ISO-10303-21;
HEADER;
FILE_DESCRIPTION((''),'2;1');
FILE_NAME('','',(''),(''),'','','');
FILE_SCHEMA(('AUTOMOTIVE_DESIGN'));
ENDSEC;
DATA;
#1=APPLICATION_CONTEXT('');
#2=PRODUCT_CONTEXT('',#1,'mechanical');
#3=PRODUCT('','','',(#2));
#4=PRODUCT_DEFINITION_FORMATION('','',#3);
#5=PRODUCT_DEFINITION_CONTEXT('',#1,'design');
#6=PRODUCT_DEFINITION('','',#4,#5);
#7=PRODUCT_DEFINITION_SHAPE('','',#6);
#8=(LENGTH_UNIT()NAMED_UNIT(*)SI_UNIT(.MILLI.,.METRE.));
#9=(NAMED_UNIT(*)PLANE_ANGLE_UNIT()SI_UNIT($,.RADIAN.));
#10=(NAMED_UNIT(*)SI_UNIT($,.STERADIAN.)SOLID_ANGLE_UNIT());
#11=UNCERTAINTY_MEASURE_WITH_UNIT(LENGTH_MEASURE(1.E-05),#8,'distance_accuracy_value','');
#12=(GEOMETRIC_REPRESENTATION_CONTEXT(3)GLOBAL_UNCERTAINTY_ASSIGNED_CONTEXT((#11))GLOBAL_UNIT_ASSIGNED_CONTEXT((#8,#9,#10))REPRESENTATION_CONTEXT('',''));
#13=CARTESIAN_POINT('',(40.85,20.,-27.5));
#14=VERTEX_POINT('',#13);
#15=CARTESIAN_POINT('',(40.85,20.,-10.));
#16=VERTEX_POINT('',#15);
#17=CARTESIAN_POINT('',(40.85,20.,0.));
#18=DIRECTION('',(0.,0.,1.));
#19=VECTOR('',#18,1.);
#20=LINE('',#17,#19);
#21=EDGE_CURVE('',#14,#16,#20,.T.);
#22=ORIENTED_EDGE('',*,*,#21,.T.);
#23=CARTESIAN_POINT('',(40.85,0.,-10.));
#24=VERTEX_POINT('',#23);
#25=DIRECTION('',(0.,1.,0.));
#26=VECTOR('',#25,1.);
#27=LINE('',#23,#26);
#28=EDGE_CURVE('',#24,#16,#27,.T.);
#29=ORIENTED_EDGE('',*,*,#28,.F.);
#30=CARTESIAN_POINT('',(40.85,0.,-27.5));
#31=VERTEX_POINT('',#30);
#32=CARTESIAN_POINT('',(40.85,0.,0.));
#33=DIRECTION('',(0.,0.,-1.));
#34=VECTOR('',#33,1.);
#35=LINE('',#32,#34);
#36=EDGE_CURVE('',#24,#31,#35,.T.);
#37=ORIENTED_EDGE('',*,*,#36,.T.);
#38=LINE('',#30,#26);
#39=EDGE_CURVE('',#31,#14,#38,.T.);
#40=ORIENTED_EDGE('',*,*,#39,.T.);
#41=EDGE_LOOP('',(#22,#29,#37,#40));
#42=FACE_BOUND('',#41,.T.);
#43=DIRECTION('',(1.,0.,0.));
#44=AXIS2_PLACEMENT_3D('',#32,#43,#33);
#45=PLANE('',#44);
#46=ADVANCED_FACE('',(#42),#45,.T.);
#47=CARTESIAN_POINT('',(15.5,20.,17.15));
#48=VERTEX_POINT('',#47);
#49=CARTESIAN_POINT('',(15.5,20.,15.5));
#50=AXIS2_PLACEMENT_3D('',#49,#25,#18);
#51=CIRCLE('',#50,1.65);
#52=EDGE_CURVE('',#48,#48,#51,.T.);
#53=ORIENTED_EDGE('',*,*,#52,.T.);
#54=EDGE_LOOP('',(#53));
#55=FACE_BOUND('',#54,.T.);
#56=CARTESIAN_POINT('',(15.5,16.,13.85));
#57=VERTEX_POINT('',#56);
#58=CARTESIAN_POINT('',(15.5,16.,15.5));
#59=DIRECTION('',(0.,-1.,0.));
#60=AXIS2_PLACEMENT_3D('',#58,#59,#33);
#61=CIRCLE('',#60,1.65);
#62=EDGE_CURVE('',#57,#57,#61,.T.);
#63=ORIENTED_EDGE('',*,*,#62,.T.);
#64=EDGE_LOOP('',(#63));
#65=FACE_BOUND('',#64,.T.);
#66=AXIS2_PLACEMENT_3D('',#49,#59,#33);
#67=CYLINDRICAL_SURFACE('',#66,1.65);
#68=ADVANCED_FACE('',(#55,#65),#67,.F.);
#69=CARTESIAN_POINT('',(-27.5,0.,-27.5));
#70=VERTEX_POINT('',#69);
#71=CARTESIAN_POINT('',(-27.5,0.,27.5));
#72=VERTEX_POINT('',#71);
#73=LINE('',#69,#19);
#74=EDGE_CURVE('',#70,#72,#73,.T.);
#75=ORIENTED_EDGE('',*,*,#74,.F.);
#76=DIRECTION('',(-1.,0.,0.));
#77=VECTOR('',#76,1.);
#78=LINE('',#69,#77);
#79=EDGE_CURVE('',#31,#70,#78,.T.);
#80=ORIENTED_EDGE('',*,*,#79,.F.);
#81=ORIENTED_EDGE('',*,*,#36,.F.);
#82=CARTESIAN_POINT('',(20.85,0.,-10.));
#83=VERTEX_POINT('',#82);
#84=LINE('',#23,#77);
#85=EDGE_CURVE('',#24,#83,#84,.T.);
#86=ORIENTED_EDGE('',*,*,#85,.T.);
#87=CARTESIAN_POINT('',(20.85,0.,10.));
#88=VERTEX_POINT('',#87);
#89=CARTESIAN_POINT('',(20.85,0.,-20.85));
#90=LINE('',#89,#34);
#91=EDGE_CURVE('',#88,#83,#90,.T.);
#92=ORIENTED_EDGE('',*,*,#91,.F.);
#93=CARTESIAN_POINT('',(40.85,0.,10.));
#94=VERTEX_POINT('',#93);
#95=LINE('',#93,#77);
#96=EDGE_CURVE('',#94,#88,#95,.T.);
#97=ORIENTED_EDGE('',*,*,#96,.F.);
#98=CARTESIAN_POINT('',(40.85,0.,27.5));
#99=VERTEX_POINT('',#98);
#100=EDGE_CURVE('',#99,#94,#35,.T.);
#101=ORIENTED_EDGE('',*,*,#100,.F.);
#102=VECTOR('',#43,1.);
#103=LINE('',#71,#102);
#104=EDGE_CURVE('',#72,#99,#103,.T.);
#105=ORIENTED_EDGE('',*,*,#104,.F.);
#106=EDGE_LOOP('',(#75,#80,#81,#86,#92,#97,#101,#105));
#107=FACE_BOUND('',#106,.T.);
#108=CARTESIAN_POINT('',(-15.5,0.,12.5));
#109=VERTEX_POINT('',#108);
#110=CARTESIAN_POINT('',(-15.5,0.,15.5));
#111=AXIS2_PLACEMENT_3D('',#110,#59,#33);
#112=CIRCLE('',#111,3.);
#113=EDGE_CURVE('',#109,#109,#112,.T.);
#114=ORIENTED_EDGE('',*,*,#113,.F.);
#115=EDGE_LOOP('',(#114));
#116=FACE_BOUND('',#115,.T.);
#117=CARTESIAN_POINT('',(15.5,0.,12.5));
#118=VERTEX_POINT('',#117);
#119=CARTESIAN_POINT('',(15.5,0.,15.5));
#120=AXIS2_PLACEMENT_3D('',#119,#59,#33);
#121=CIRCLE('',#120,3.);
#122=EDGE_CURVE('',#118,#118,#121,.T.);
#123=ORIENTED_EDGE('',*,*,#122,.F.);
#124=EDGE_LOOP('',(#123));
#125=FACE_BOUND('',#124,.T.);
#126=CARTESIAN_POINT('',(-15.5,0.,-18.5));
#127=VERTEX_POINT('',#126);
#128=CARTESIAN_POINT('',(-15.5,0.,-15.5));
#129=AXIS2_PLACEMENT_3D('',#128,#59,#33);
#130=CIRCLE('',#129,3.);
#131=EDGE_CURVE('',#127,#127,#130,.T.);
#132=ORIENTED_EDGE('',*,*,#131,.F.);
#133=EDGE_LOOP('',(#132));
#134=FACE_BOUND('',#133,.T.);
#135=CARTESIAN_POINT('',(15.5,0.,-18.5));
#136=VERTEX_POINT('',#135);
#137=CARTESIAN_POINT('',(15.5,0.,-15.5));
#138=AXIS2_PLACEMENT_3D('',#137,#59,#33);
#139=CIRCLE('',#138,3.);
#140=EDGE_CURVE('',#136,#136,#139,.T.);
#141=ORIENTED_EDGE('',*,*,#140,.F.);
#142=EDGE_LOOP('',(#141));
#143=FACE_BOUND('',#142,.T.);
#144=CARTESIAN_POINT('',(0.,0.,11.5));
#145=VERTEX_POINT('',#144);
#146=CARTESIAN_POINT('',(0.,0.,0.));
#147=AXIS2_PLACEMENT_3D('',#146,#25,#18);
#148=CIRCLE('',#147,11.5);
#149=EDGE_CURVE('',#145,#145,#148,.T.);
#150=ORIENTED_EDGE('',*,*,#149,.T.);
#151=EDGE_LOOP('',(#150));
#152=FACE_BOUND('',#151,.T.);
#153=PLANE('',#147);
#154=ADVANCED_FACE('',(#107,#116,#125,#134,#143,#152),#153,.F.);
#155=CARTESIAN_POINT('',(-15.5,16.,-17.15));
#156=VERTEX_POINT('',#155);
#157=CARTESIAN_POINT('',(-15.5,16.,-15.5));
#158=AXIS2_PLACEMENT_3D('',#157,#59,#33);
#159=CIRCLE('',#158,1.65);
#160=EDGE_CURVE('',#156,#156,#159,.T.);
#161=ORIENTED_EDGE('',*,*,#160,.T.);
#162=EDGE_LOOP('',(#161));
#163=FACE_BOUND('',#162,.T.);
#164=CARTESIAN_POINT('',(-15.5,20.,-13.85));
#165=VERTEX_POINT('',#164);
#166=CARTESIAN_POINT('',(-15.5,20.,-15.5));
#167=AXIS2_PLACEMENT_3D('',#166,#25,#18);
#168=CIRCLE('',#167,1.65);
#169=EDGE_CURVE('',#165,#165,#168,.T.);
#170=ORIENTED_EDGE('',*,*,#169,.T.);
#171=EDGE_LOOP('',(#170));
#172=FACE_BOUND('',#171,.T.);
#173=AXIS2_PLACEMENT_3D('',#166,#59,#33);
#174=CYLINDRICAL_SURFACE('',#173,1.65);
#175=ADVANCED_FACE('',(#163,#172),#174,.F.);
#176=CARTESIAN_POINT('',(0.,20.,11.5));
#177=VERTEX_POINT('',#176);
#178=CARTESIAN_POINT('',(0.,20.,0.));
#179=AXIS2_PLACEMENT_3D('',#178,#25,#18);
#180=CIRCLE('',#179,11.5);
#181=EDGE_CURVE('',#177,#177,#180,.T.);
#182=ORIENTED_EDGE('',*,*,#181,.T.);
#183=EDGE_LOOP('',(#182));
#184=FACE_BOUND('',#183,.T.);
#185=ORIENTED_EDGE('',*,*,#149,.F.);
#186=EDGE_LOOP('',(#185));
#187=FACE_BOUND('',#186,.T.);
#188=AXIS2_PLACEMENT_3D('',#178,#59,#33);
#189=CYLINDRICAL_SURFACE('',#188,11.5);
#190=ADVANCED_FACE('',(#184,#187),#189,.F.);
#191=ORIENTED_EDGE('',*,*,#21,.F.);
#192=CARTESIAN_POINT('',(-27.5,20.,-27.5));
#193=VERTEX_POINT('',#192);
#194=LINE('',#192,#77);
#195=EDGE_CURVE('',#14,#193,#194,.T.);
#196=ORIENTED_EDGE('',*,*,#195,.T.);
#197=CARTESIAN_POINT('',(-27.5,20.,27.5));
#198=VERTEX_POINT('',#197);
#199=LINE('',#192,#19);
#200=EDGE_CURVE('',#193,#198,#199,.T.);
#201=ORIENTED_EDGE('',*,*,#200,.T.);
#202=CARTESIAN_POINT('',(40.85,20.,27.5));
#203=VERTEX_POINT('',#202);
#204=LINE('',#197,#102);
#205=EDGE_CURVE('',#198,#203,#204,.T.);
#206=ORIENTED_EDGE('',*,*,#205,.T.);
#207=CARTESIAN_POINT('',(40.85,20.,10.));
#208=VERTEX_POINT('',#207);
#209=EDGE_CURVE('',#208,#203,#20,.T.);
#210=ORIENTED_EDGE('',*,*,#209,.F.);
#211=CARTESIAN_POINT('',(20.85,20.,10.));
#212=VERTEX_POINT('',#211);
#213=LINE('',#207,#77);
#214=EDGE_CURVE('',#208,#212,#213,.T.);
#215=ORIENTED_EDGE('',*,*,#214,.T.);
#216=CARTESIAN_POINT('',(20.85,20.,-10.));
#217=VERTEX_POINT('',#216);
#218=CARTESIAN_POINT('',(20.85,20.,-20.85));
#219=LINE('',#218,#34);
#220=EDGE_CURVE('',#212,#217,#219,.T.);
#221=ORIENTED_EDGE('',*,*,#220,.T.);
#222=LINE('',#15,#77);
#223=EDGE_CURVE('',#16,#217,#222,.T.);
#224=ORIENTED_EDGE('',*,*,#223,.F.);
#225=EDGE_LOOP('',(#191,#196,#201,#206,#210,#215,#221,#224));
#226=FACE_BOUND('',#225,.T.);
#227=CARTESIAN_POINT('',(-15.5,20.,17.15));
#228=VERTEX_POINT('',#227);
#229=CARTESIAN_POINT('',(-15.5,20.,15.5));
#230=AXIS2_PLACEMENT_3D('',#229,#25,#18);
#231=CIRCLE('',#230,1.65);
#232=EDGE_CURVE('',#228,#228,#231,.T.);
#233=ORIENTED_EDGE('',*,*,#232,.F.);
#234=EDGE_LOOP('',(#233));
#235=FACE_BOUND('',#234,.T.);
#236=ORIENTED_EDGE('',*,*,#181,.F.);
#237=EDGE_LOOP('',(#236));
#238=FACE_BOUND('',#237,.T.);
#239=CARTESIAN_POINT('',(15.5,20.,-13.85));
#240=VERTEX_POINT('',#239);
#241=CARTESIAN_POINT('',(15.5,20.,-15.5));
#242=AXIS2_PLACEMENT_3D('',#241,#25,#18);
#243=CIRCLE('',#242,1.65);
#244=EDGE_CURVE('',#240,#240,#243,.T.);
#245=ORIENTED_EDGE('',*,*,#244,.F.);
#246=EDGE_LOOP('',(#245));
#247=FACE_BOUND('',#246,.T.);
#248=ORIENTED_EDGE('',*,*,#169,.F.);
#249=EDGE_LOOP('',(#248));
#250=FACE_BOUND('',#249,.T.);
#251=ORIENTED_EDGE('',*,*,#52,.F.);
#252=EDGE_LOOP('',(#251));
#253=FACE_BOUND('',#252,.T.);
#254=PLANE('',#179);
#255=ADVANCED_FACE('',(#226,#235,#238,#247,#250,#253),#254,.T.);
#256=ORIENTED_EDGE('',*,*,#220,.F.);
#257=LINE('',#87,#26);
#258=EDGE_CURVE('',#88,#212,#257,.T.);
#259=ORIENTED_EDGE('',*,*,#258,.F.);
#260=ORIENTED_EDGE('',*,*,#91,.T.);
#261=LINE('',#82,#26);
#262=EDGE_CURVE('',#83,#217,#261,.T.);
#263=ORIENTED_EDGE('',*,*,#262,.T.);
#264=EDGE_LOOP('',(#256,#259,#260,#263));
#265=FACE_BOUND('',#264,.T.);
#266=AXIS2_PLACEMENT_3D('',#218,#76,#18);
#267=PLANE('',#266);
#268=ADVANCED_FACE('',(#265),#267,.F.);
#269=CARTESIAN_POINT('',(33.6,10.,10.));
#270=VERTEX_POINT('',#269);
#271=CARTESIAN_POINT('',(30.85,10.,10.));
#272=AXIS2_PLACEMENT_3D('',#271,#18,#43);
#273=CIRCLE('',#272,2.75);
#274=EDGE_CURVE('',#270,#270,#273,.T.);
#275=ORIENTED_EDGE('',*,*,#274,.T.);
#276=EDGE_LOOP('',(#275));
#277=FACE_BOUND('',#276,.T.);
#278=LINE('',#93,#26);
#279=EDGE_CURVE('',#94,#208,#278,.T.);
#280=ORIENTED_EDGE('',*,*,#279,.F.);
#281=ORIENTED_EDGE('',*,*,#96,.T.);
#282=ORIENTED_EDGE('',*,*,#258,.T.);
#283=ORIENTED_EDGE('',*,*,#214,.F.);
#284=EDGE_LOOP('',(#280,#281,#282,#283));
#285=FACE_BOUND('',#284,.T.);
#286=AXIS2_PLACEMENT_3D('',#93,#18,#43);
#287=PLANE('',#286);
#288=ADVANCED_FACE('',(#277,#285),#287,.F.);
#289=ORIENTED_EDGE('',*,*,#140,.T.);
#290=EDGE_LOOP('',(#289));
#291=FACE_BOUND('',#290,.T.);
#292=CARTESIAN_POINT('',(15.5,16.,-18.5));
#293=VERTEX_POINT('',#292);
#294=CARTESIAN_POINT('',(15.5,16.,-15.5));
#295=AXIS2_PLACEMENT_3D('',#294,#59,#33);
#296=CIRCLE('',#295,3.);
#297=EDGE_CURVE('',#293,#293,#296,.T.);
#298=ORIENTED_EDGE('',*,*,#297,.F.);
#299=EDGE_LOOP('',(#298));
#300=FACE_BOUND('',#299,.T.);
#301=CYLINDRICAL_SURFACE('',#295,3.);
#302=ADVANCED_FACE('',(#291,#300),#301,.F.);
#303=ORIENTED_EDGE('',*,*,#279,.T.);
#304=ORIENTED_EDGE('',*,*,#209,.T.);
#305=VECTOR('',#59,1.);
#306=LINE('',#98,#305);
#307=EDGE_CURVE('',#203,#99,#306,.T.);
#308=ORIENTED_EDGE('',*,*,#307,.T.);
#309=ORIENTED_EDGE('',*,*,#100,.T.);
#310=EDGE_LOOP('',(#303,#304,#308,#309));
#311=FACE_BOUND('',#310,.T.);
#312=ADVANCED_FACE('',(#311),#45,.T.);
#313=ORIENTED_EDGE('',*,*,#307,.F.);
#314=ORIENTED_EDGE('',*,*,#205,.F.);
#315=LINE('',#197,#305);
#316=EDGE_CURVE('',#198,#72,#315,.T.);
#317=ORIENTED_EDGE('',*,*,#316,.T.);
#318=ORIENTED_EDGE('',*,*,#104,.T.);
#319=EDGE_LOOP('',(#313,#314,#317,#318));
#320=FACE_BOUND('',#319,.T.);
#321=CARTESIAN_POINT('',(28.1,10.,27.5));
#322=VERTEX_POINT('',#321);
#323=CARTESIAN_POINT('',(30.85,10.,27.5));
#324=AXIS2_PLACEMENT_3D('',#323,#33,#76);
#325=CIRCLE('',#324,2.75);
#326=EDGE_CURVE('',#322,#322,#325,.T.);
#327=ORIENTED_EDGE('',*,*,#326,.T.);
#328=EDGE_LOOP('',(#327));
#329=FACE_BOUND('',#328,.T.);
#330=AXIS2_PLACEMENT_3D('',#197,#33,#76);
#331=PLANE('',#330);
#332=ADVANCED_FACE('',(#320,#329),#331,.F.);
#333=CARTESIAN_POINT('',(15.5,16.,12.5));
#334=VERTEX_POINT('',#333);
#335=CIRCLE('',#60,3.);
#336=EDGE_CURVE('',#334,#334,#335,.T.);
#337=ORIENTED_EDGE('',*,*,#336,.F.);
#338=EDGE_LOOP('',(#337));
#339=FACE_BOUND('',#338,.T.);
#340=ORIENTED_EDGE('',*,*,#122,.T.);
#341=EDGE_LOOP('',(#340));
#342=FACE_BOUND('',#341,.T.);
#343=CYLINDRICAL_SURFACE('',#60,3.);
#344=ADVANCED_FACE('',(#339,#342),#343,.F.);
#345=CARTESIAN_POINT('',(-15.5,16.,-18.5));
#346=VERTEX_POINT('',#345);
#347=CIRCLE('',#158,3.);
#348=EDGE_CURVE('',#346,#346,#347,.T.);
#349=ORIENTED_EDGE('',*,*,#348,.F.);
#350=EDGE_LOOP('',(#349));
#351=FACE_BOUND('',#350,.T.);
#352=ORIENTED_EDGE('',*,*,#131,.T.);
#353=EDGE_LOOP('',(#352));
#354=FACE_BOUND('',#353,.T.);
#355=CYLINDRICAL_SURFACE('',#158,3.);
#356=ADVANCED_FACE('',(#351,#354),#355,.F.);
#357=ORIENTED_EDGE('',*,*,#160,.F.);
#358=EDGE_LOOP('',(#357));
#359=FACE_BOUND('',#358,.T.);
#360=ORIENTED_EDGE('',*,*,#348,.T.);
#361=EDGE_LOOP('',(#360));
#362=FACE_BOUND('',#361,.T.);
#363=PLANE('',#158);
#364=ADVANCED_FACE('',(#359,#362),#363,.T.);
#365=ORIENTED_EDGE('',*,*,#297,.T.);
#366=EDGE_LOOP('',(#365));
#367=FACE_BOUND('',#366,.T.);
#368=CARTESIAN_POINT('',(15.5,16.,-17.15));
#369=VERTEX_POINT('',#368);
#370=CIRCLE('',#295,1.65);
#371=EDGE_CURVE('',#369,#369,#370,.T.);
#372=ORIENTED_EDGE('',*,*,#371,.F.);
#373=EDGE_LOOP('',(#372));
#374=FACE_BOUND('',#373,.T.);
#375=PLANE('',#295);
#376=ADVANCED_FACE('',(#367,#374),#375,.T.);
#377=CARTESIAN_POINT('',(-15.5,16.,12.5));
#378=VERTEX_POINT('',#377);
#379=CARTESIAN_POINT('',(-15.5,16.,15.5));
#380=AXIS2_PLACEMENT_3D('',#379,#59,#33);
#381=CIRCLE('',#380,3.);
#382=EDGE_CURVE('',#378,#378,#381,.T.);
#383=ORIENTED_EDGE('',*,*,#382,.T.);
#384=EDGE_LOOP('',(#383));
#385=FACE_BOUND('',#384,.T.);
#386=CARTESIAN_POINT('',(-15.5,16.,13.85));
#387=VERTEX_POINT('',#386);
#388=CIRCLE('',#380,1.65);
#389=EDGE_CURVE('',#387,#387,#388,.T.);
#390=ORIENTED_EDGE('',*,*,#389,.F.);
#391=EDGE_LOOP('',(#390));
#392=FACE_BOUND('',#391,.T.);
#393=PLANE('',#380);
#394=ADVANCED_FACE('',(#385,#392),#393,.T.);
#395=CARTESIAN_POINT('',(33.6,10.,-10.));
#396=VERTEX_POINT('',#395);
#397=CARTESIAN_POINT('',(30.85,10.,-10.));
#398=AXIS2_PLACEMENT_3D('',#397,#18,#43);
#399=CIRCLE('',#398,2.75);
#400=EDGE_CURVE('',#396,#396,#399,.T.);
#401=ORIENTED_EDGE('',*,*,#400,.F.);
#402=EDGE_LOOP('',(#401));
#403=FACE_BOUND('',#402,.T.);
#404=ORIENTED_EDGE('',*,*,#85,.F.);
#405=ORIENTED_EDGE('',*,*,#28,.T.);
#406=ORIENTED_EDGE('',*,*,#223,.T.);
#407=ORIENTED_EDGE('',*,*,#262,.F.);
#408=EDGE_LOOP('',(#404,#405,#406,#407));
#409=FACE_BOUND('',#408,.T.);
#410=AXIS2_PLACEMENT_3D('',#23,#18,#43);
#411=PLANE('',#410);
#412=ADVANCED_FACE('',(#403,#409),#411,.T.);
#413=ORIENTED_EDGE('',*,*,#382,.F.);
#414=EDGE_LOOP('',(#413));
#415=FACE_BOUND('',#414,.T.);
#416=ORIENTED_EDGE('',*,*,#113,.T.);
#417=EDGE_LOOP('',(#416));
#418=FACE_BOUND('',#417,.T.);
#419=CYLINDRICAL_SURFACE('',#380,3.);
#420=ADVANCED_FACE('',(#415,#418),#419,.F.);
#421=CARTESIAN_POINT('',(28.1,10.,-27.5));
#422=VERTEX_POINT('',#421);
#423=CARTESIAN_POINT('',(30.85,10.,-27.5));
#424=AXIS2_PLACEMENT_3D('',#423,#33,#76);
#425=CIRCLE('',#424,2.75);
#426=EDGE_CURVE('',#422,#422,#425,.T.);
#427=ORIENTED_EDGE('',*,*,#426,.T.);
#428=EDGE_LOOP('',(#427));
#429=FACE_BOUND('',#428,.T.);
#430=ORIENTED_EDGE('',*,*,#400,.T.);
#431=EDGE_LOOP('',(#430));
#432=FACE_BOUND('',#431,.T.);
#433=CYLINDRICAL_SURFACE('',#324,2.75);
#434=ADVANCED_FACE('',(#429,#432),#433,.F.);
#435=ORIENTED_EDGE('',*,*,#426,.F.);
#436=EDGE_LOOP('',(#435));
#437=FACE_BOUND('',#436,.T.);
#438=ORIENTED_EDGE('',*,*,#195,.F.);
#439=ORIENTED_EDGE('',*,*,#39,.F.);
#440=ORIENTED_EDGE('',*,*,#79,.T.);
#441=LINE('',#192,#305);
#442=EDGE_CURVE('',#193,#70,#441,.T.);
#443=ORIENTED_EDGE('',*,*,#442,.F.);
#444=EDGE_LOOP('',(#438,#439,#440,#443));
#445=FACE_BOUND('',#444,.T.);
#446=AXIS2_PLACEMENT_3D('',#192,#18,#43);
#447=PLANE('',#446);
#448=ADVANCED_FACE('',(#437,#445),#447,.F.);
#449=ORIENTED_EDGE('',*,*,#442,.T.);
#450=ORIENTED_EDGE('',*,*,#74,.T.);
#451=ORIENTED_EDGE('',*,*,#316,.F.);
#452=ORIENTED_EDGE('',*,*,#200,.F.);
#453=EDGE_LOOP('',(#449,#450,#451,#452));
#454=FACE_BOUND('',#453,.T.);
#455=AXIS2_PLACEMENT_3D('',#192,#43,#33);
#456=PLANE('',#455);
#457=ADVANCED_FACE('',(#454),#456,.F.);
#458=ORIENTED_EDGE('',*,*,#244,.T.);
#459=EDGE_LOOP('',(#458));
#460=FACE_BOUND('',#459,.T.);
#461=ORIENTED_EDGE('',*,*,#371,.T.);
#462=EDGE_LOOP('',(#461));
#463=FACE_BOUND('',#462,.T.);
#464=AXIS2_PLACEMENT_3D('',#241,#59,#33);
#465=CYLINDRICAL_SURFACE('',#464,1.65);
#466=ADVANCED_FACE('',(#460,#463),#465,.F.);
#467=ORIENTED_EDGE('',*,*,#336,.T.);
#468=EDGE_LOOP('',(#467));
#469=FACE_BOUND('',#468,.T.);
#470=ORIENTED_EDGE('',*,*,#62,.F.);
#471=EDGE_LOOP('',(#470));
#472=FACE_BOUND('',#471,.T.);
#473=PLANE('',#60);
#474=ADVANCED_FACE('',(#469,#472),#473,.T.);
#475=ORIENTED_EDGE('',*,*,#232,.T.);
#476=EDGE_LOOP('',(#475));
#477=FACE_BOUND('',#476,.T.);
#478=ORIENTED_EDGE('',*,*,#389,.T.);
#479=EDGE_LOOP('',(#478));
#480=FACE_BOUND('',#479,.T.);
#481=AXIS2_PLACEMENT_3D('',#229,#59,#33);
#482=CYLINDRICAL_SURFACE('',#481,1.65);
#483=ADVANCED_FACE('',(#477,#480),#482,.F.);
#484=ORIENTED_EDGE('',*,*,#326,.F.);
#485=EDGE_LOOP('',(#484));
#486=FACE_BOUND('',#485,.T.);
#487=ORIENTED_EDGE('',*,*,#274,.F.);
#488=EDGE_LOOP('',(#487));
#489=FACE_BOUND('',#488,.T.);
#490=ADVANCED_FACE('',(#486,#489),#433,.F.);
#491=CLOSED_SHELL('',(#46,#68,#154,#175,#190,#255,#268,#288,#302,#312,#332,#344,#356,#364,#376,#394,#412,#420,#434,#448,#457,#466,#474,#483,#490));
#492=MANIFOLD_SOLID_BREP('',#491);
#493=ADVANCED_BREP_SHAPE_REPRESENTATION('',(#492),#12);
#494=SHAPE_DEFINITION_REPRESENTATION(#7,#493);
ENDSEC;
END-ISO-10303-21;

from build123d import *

# Parameters (mm, degrees)
SKETCH_1_R          = 1.65
SKETCH_1_R_2        = 11.5
EXTRUDE_1_DEPTH     = 20
SKETCH_6_W          = 17.5
SKETCH_6_H          = 20
EXTRUDE_2_DEPTH     = 20
SKETCH_7_R          = 3
CUT_EXTRUDE_1_DEPTH = 16
SKETCH_8_R          = 2.75
CUT_EXTRUDE_2_DEPTH = 72.370319461


with BuildPart() as part:
    # 草图1 → 凸台-拉伸1 (new body)
    with BuildSketch(Plane(origin=(0, 0, 0), x_dir=(1, 0, 0), z_dir=(0, 1, 0))):
        Polygon((20.85, 20.85), (20.85, 27.5), (-27.5, 27.5), (-27.5, -27.5), (20.85, -27.5), align=None)
        with Locations(Location((-15.5, 15.5, 0), (0, 0, 270))):
            Circle(SKETCH_1_R, mode=Mode.SUBTRACT)
        with Locations(Location((15.5, 15.5, 0), (0, 0, 270))):
            Circle(SKETCH_1_R, mode=Mode.SUBTRACT)
        with Locations(Location((15.5, -15.5, 0), (0, 0, 270))):
            Circle(SKETCH_1_R, mode=Mode.SUBTRACT)
        with Locations(Location((-15.5, -15.5, 0), (0, 0, 270))):
            Circle(SKETCH_1_R, mode=Mode.SUBTRACT)
        with Locations(Location((0, 0, 0), (0, 0, 270))):
            Circle(SKETCH_1_R_2, mode=Mode.SUBTRACT)
    extrude(amount=EXTRUDE_1_DEPTH)

    # 草图6 → 凸台-拉伸2 (add)
    with BuildSketch(Plane(origin=(20.85, 0, 0), x_dir=(0, 0, -1), z_dir=(1, 0, 0))):
        with Locations((18.75, 10)):
            Rectangle(SKETCH_6_W, SKETCH_6_H)
        with Locations((-18.75, 10)):
            Rectangle(SKETCH_6_W, SKETCH_6_H)
    extrude(amount=EXTRUDE_2_DEPTH)

    # 草图7 → 切除-拉伸1 (cut)
    with BuildSketch(Plane.XZ):
        with Locations(Location((-15.5, 15.5, 0), (0, 0, 270))):
            Circle(SKETCH_7_R)
        with Locations(Location((15.5, 15.5, 0), (0, 0, 270))):
            Circle(SKETCH_7_R)
        with Locations(Location((15.5, -15.5, 0), (0, 0, 270))):
            Circle(SKETCH_7_R)
        with Locations(Location((-15.5, -15.5, 0), (0, 0, 270))):
            Circle(SKETCH_7_R)
    extrude(amount=-CUT_EXTRUDE_1_DEPTH, mode=Mode.SUBTRACT)

    # 草图8 → 切除-拉伸2 (cut, through all)
    with BuildSketch(Plane(origin=(0, 0, -27.5), x_dir=(-1, 0, 0), z_dir=(0, 0, -1))):
        with Locations((-30.85, 10)):
            Circle(SKETCH_8_R)
    extrude(amount=-CUT_EXTRUDE_2_DEPTH, mode=Mode.SUBTRACT)


solid = part.part
